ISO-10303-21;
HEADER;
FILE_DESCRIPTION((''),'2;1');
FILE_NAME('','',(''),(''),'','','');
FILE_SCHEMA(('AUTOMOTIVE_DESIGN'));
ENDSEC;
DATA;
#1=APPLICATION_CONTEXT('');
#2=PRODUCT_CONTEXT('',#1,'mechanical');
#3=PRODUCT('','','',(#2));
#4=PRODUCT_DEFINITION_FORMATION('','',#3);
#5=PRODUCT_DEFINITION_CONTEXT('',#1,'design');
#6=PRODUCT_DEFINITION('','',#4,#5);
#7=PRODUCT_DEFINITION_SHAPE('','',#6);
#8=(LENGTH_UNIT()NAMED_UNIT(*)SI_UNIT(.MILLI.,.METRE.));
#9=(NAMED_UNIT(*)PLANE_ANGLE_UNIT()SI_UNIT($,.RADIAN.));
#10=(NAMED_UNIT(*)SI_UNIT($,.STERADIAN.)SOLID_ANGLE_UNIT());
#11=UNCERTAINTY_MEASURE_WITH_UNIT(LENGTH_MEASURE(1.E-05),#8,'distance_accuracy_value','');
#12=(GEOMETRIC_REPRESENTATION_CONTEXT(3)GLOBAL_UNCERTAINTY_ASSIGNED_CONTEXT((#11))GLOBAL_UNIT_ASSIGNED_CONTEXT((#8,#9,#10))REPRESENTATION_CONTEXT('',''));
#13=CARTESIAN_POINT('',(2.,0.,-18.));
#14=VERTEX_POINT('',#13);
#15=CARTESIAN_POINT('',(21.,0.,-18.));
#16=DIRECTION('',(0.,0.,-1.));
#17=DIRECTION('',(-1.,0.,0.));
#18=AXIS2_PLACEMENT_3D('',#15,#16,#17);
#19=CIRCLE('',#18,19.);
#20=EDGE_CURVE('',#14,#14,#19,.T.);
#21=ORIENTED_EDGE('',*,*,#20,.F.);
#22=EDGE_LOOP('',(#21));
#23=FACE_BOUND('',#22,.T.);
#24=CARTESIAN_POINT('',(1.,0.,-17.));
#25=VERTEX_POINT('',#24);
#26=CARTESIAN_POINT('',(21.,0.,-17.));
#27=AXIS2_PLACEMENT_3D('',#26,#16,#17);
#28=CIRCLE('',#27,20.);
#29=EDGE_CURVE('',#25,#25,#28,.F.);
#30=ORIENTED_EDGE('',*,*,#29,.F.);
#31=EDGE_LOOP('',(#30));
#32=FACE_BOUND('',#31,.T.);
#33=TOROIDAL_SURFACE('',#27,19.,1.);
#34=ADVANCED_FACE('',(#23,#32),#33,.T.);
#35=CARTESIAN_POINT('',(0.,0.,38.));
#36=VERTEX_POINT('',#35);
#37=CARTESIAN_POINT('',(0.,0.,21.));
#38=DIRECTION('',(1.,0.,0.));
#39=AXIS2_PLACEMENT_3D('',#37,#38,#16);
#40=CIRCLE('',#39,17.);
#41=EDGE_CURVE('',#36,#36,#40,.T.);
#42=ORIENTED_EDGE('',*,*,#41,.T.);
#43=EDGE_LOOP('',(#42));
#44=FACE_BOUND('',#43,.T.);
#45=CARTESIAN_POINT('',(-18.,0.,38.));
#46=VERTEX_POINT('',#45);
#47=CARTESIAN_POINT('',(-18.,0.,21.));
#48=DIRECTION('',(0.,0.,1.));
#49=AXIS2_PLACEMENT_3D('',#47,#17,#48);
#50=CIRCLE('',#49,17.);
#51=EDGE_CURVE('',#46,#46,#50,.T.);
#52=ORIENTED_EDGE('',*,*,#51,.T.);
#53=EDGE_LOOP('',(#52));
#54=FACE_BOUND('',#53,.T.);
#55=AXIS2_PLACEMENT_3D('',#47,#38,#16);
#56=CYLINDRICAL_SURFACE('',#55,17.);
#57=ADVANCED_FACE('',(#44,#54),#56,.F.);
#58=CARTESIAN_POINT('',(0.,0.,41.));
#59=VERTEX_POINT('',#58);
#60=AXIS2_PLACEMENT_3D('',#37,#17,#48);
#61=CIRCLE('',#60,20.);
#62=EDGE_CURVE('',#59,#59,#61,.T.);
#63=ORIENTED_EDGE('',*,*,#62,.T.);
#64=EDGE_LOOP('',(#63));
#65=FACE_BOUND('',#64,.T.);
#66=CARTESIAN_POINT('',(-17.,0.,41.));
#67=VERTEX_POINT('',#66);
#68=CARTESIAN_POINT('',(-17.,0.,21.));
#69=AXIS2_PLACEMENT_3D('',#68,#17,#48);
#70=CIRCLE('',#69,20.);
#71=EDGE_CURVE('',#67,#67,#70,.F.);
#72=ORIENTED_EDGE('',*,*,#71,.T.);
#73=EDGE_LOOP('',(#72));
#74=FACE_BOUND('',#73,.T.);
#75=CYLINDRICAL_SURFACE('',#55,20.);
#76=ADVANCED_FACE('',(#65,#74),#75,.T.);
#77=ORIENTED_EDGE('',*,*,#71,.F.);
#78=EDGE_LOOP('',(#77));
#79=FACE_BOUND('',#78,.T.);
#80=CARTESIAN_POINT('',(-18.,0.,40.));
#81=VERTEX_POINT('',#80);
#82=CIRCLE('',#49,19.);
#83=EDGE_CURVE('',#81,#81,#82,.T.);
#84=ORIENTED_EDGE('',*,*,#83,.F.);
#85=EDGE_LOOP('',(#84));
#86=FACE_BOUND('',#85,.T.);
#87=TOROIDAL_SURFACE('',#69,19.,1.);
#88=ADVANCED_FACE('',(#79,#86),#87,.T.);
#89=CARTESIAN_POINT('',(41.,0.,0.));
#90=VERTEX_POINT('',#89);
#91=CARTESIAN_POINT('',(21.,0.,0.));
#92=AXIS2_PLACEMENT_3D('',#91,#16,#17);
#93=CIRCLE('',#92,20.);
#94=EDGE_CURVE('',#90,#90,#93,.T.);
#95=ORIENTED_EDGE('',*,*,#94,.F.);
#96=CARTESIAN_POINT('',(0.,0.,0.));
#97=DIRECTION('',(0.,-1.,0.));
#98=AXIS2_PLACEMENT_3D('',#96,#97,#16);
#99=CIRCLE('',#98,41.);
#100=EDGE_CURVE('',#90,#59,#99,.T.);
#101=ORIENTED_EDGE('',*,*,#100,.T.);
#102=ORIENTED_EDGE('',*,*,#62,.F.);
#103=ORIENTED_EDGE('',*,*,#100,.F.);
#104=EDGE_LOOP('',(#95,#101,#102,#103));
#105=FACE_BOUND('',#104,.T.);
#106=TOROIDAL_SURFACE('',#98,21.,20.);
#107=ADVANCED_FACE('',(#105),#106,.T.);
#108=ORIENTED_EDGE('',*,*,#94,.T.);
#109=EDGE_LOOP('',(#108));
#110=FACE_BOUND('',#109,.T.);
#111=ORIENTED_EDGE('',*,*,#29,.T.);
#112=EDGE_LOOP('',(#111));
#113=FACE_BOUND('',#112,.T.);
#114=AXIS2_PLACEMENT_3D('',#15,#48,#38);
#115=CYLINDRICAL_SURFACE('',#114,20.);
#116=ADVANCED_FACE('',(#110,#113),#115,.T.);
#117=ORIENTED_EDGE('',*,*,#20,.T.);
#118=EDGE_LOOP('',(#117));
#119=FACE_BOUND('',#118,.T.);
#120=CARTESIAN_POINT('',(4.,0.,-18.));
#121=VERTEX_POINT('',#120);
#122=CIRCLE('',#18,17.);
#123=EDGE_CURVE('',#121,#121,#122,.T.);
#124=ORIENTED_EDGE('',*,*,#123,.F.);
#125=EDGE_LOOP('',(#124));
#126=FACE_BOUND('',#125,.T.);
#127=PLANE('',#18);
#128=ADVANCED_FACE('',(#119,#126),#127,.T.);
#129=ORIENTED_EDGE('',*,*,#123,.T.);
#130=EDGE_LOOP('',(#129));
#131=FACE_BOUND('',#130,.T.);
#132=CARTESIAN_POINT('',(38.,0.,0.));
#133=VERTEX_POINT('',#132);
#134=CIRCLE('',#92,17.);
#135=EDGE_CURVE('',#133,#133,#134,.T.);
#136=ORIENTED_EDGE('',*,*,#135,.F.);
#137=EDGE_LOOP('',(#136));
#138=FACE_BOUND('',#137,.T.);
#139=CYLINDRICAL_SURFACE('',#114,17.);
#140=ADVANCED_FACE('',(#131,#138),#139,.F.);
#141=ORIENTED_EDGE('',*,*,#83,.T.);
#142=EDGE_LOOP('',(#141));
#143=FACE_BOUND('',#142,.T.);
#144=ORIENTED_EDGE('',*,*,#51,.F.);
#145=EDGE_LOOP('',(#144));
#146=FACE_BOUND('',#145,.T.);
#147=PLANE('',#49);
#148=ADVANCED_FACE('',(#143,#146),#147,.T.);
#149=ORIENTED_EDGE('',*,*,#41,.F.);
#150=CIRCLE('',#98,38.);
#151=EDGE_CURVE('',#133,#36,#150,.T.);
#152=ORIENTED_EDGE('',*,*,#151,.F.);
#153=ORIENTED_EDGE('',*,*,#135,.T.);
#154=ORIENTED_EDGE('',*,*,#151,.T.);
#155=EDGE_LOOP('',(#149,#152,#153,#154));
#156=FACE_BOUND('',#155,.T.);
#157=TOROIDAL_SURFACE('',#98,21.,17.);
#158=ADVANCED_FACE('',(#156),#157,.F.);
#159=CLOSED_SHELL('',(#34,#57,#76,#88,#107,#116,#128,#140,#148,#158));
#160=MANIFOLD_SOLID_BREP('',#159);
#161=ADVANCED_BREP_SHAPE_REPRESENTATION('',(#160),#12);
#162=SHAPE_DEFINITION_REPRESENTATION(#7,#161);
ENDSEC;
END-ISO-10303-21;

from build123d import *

# Parameters (mm, degrees)
CROQUIS1_R               = 20
CROQUIS1_R_2             = 17
REVOLUCI_N_L_MINA1_ANGLE = 90
CROQUIS3_R               = 20
CROQUIS3_R_2             = 17
EXTRUIR1_DEPTH           = 18
CROQUIS4_R               = 20
CROQUIS4_R_2             = 17
EXTRUIR2_DEPTH           = 18
REDONDEO1_R              = 1


with BuildPart() as part:
    # Croquis1 → Revolución-Lámina1 (revolve)
    with BuildSketch(Plane(origin=(0, 0, 0), x_dir=(0, 0, -1), z_dir=(1, 0, 0))):
        with Locations((-21, 0)):
            Circle(CROQUIS1_R)
        with Locations((-21, 0)):
            Circle(CROQUIS1_R_2, mode=Mode.SUBTRACT)
    revolve(axis=Axis((0, 0, 0), (0, 1, 0)), revolution_arc=REVOLUCI_N_L_MINA1_ANGLE)

    # Croquis3 → Extruir1 (add)
    with BuildSketch(Plane.ZY):
        with Locations((21, 0)):
            Circle(CROQUIS3_R)
        with Locations((21, 0)):
            Circle(CROQUIS3_R_2, mode=Mode.SUBTRACT)
    extrude(amount=EXTRUIR1_DEPTH)

    # Croquis4 → Extruir2 (add)
    with BuildSketch(Plane(origin=(0, 0, 0), x_dir=(-1, 0, 0), z_dir=(0, 0, -1))):
        with Locations(Location((-21, 0, 0), (0, 0, 180))):
            Circle(CROQUIS4_R)
        with Locations(Location((-21, 0, 0), (0, 0, 180))):
            Circle(CROQUIS4_R_2, mode=Mode.SUBTRACT)
    extrude(amount=EXTRUIR2_DEPTH)

    # Redondeo1
    redondeo1_edges = [part.edges().sort_by_distance(p)[0] for p in [
        (1, 0, -18),
        (-18, 0, 1),
    ]]
    fillet(redondeo1_edges, radius=REDONDEO1_R)


solid = part.part
